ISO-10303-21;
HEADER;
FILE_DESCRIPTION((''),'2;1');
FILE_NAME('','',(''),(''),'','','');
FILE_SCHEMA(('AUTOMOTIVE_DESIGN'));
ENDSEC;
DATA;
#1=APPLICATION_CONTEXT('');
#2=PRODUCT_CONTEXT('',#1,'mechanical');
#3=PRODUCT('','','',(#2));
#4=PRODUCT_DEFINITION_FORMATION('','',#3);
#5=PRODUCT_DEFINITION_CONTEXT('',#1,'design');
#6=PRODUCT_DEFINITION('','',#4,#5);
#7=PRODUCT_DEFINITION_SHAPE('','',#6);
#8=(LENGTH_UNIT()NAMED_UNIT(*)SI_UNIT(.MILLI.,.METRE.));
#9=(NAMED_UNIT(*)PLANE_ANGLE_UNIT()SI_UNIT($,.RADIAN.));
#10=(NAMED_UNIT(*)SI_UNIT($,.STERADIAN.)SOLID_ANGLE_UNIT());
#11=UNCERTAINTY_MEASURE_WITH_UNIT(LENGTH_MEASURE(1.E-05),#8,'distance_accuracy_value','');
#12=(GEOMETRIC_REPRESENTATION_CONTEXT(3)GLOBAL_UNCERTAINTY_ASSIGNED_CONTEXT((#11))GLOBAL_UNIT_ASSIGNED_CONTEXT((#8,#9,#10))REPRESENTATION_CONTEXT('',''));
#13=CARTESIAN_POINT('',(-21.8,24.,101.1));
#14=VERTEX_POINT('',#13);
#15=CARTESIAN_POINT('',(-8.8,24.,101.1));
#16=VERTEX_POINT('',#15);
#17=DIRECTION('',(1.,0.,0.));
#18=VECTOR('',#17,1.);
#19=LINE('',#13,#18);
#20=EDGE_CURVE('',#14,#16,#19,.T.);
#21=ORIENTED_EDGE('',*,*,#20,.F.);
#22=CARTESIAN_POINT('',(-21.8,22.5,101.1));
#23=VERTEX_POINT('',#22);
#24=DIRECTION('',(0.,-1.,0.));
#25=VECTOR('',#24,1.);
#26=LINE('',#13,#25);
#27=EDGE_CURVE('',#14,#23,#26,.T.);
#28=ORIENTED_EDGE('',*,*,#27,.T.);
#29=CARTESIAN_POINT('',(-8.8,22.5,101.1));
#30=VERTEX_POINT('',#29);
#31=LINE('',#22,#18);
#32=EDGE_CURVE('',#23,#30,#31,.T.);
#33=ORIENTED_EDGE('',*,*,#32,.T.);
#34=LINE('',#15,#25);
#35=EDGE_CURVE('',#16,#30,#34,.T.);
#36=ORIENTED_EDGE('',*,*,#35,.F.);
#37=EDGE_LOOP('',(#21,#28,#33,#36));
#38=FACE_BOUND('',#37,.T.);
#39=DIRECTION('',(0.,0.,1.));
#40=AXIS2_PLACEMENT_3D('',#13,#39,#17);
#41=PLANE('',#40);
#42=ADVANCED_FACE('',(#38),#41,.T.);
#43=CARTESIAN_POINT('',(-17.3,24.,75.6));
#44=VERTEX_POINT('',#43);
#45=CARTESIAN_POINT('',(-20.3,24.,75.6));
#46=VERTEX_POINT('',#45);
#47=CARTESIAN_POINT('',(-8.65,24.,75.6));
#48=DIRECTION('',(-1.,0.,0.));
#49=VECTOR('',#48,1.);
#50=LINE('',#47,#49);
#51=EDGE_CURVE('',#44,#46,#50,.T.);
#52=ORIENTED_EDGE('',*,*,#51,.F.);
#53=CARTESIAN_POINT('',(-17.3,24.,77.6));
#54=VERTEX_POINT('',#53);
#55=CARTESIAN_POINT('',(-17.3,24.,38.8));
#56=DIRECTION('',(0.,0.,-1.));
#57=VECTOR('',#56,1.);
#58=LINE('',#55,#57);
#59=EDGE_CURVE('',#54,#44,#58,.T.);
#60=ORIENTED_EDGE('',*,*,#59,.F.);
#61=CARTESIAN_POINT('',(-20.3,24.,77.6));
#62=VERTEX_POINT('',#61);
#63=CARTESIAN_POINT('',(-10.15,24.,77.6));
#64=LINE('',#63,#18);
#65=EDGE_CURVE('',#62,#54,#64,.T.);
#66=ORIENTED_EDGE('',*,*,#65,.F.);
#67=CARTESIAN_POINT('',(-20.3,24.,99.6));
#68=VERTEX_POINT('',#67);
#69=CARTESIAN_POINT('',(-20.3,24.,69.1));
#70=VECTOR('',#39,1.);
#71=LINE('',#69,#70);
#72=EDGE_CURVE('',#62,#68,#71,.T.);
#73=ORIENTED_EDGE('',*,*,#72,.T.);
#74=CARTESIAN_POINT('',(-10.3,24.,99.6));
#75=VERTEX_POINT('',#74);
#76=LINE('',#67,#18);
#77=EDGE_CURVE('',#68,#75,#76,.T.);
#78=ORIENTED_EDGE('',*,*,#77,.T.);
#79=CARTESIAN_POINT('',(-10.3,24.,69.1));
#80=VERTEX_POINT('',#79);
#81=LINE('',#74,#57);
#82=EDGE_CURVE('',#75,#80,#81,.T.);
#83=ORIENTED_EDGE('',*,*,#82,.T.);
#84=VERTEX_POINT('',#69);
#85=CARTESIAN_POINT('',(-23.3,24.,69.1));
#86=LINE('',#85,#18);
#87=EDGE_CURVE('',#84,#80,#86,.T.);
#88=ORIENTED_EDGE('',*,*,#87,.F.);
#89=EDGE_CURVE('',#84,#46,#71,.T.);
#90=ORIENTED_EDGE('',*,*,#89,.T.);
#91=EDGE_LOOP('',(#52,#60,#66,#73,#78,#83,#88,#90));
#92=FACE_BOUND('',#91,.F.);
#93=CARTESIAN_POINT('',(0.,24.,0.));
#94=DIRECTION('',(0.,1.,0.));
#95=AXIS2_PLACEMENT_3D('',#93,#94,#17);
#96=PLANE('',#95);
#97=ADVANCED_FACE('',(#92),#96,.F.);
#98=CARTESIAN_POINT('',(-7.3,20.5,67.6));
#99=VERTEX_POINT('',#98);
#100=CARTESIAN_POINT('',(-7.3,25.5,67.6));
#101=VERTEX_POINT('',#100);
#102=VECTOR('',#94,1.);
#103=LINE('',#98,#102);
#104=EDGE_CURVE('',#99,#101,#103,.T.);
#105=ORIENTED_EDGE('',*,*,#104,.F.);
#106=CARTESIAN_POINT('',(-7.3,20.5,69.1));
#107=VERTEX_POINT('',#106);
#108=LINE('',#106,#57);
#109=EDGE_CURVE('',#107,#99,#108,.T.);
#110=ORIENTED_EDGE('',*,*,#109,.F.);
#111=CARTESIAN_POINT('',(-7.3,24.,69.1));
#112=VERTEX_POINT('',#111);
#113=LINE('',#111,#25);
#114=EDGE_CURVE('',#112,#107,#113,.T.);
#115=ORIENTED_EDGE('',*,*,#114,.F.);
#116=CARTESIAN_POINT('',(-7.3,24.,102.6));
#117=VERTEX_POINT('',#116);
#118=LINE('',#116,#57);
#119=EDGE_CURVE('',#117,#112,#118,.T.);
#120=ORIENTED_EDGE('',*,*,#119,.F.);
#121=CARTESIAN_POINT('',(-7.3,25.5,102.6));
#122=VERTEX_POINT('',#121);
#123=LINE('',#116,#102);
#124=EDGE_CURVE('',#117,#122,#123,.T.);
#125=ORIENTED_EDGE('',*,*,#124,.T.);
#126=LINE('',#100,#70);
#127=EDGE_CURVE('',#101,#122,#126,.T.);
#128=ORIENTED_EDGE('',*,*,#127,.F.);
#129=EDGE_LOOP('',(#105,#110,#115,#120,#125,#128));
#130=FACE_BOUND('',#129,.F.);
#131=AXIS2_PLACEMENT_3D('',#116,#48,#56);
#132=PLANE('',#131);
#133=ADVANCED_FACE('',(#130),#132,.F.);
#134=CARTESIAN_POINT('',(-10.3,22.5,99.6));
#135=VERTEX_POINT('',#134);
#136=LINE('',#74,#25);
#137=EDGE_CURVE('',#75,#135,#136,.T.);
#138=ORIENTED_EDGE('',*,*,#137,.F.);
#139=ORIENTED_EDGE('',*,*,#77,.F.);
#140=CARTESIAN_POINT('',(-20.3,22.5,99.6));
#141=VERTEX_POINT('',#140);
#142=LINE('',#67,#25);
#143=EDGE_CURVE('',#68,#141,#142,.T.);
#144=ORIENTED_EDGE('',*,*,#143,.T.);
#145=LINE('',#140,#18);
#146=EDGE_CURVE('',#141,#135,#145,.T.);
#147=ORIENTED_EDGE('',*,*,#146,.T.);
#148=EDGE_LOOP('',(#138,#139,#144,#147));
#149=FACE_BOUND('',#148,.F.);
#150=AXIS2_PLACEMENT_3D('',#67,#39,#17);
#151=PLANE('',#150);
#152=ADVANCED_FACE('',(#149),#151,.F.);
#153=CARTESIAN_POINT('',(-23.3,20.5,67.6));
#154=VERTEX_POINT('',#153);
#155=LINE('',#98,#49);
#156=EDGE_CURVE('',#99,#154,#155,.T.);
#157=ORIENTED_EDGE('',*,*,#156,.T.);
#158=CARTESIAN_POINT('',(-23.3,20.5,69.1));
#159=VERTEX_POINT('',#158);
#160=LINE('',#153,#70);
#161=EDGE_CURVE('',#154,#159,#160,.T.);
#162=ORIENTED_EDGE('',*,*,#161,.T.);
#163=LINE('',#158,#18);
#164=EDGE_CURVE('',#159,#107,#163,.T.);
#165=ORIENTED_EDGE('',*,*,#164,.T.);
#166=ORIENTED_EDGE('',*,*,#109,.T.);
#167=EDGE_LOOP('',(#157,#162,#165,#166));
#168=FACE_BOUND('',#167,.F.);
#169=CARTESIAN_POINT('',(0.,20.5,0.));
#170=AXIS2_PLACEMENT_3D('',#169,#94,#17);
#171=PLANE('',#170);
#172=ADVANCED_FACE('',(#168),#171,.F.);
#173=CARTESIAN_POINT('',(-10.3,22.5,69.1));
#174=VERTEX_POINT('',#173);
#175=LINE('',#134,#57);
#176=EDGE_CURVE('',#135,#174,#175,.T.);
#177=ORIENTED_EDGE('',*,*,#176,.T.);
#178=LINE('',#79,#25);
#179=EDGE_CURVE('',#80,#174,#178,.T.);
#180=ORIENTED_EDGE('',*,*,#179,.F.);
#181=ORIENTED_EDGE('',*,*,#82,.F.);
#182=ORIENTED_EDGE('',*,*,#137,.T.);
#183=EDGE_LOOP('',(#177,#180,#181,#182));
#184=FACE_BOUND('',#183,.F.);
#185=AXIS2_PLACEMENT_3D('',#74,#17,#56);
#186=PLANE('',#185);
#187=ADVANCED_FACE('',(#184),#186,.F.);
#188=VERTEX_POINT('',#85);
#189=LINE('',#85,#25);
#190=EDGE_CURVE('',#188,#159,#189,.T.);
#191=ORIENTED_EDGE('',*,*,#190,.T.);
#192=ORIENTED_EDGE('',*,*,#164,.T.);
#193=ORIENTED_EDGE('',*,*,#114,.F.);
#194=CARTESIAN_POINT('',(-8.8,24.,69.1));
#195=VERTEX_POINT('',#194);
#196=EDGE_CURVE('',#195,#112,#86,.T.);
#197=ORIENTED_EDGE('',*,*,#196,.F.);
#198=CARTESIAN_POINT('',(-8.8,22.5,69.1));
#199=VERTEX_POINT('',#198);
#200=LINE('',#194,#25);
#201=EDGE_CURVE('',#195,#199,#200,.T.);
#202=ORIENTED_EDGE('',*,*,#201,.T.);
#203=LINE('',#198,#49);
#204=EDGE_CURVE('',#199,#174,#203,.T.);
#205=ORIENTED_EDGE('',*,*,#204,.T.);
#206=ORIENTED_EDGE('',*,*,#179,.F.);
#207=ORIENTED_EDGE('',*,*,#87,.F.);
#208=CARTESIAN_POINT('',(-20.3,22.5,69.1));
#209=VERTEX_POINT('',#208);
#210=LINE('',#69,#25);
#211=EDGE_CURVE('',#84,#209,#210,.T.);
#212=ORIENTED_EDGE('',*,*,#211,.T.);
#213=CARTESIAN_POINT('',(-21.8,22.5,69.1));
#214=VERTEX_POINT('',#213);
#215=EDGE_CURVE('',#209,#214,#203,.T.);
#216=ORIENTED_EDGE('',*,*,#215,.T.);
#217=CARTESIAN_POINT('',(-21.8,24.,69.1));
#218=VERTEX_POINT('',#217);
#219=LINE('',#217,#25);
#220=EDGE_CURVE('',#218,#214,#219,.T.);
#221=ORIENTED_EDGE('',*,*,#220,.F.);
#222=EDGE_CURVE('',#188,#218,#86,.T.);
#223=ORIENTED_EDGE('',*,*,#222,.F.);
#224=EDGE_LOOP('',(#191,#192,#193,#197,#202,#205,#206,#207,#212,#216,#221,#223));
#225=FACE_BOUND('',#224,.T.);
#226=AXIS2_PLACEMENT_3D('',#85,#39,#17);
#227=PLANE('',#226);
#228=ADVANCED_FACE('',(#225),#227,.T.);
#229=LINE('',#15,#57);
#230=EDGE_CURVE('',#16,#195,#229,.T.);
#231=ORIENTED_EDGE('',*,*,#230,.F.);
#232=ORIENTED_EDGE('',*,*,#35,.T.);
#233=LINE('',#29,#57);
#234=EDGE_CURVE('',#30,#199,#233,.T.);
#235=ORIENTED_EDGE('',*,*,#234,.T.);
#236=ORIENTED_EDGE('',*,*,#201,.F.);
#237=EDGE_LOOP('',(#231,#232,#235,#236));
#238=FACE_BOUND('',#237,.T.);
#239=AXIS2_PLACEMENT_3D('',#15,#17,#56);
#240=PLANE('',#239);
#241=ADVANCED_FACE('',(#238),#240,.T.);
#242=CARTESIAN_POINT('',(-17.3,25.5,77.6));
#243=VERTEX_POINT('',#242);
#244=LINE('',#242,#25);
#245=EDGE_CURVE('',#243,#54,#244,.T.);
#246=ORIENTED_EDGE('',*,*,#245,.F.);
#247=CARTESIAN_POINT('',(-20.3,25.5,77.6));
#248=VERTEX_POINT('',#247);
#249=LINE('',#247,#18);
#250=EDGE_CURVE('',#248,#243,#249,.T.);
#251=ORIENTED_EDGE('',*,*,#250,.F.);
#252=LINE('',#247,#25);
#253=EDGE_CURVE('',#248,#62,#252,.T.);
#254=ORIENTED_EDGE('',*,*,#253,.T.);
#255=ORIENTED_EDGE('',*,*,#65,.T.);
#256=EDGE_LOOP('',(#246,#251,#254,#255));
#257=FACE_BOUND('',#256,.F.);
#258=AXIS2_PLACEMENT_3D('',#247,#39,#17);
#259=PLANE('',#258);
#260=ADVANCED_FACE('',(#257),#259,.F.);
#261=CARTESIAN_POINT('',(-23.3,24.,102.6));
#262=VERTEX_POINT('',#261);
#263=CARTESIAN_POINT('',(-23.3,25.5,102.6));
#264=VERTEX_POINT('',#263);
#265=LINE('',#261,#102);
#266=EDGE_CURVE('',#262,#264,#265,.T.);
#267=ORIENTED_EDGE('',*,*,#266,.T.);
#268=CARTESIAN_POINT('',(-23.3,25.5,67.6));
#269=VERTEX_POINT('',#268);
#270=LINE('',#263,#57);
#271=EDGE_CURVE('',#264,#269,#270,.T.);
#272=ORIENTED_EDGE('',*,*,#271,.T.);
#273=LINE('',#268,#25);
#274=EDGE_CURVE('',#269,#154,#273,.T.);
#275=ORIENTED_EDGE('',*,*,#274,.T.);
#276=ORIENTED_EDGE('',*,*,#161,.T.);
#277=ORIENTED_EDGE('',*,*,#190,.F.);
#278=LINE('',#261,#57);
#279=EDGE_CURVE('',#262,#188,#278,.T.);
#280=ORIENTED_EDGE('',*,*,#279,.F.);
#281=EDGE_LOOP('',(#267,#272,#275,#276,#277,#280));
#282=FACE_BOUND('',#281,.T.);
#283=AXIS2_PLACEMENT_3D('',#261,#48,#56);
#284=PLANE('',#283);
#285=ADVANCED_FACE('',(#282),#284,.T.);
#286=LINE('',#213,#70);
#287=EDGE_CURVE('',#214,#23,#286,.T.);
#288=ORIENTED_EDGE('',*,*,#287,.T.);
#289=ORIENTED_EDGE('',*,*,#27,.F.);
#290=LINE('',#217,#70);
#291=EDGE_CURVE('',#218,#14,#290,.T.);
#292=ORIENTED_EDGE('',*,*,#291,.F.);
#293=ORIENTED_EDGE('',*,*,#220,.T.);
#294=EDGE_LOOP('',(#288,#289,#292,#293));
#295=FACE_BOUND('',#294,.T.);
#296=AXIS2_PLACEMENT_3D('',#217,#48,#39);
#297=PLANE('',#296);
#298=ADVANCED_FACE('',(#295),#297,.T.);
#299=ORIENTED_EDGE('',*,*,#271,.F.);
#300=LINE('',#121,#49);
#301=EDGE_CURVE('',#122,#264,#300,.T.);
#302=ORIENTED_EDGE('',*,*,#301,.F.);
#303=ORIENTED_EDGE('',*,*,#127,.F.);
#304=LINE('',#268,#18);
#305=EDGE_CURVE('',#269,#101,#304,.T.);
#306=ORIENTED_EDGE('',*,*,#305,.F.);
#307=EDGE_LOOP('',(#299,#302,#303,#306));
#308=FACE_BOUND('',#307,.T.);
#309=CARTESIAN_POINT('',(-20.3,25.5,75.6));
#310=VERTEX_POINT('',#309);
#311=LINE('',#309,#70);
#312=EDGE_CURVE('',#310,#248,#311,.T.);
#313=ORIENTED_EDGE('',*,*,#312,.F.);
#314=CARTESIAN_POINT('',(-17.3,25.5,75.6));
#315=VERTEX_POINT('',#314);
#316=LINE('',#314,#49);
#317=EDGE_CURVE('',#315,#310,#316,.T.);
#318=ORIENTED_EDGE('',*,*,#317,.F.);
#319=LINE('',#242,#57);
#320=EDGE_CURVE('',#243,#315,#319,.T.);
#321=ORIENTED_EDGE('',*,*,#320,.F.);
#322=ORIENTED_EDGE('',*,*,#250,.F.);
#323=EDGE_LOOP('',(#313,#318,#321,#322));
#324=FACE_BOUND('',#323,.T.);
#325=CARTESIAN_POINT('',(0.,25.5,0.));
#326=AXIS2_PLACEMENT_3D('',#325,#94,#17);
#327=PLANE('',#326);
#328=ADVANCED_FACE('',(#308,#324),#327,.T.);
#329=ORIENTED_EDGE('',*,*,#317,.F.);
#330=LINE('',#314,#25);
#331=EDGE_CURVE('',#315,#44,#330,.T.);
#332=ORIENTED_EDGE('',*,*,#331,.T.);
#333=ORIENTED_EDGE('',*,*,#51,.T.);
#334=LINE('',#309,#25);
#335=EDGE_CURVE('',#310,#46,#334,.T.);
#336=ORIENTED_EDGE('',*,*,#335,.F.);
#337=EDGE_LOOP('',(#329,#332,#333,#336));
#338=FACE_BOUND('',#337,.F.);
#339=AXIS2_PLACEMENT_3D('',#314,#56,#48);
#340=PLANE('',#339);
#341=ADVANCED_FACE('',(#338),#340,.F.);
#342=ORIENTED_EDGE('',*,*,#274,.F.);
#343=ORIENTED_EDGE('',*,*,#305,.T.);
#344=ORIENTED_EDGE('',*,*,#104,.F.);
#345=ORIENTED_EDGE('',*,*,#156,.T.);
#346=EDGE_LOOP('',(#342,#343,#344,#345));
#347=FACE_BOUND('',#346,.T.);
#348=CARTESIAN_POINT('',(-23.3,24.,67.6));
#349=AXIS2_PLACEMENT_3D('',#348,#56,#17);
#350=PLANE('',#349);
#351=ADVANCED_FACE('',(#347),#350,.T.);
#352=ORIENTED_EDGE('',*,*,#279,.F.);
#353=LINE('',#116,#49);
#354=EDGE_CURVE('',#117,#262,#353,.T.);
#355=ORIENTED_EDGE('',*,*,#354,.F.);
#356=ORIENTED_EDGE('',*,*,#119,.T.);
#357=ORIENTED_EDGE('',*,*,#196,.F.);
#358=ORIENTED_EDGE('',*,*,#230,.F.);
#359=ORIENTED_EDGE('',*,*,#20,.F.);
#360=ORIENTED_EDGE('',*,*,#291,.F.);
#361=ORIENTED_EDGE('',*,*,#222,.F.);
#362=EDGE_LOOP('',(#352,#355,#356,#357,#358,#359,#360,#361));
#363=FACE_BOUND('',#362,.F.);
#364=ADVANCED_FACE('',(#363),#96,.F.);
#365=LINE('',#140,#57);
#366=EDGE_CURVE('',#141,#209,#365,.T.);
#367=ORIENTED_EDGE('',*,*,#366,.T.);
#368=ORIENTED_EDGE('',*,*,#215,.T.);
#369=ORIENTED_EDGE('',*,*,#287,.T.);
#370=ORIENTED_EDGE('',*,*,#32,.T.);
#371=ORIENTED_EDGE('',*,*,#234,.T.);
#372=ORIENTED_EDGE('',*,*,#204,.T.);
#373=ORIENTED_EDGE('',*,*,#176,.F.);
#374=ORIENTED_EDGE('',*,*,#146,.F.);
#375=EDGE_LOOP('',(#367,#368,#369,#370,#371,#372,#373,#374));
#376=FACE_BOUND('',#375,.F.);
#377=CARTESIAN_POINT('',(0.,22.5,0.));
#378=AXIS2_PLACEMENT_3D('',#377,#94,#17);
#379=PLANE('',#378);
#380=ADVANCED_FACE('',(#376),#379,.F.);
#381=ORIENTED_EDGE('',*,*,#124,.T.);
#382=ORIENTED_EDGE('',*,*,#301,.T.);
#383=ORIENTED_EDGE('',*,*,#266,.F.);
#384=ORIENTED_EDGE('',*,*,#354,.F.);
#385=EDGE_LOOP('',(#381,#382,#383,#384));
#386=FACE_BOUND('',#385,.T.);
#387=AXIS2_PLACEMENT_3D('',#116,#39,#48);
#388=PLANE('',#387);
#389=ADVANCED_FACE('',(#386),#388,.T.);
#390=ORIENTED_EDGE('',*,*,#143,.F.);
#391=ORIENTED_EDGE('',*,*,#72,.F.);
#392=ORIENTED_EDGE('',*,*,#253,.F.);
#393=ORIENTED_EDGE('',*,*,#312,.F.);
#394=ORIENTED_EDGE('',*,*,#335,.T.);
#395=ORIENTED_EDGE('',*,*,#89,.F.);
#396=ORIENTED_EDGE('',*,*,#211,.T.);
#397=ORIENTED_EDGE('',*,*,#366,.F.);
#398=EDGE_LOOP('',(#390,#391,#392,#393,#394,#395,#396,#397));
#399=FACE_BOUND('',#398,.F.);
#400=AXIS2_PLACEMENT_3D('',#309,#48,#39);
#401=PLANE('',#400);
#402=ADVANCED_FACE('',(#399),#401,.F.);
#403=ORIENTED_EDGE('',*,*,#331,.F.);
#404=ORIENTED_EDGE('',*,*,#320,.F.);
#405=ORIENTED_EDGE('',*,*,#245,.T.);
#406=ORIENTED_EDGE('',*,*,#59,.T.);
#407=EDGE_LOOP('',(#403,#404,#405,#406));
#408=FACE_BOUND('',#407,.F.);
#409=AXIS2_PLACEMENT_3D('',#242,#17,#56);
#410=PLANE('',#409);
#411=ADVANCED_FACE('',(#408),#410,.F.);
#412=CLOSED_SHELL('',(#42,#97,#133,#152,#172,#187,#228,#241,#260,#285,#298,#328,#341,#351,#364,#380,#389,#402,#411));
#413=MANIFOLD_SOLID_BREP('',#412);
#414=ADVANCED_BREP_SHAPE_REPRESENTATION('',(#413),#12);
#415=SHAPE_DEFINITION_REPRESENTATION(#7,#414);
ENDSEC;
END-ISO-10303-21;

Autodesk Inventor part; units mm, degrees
ref_plane "YZ Plane" through (0, 0, 0) normal (1, 0, 0) x (0, 1, 0)
ref_plane "XZ Plane" through (0, 0, 0) normal (0, 1, 0) x (-1, 0, 0)
ref_plane "XY Plane" through (0, 0, 0) normal (0, 0, 1) x (1, 0, 0)
ref_plane "Płaszczyzna konstrukcyjna1" through (0, 19, 0) normal (0, 1, 0) x (1, 0, 0)
ref_plane "Płaszczyzna konstrukcyjna3" through (0, 19, 0) normal (0, 1, 0) x (1, 0, 0)
ref_plane "Płaszczyzna konstrukcyjna2" through (0, 24, 0) normal (0, 1, 0) x (1, 0, 0)
sketch "Szkic23" plane through (0, 24, 0) normal (0, 1, 0) x (1, 0, 0)
  line L0 (-21.8, -101.1) -> (-21.8, -97.6) projected
  line L1 (-8.8, -67.6) -> (-8.8, -69.1) projected
  line L2 (-21.8, -101.1) -> (-8.8, -101.1)
  line L3 (-8.8, -101.1) -> (-8.8, -69.1)
  line L4 (-8.8, -69.1) -> (-21.8, -69.1)
  line L5 (-21.8, -69.1) -> (-21.8, -101.1)
  line L6 (-21.8, -101.1) -> (-20.3, -101.1) construction
  line L7 (-20.3, -101.1) -> (-20.3, -99.6) construction
  line L8 (-20.3, -99.6) -> (-21.8, -99.6) construction
  line L9 (-21.8, -99.6) -> (-21.8, -101.1) construction
  line L10 (-8.8, -69.1) -> (-10.3, -69.1) construction
  line L11 (-21.8, -69.1) -> (-8.8, -69.1) construction
  line L12 (-20.3, -99.6) -> (-10.3, -99.6)
  line L13 (-10.3, -99.6) -> (-10.3, -69.1)
  line L14 (-10.3, -69.1) -> (-20.3, -69.1)
  line L15 (-20.3, -69.1) -> (-20.3, -99.6)
  point P0 (0, 0)
  dimension "d135" = 1.5
  dimension "d136" = 1.5
  dimension "d137" = 1.5
extrude "Wyciągnięcie proste21" add sketch "Szkic23" against normal blind 1.5 contours L0 L5 L4 L15 L12 L13 L3 L2
ref_plane "Płaszczyzna konstrukcyjna5" through (0, 24, 0) normal (0, 1, 0) x (1, 0, 0)
sketch "Szkic24" plane through (0, 24, 0) normal (0, 1, 0) x (1, 0, 0)
  line L0 (-23.3, -69.1) -> (-23.3, -102.6) projected
  line L1 (-23.3, -69.1) -> (-7.3, -69.1)
  line L2 (-7.3, -69.1) -> (-7.3, -67.6)
  line L3 (-7.3, -67.6) -> (-23.3, -67.6)
  line L4 (-23.3, -67.6) -> (-23.3, -69.1)
  point P0 (0, 0)
  dimension "d140" = 16
  dimension "d141" = 1.5
extrude "Wyciągnięcie proste22" add sketch "Szkic24" against normal blind 3.5
ref_plane "Płaszczyzna konstrukcyjna6" through (0, 24, 0) normal (0, 1, 0) x (1, 0, 0)
sketch "Szkic25" plane through (0, 24, 0) normal (0, 1, 0) x (1, 0, 0)
  line L0 (-7.3, -102.6) -> (-7.3, -69.1) projected
  line L1 (-23.3, -69.1) -> (-23.3, -67.6) projected
  line L2 (-7.3, -102.6) -> (-23.3, -102.6)
  line L3 (-23.3, -102.6) -> (-23.3, -67.6)
  line L4 (-23.3, -67.6) -> (-7.3, -67.6)
  line L5 (-7.3, -67.6) -> (-7.3, -102.6)
  point P0 (0, 0)
extrude "Wyciągnięcie proste23" add sketch "Szkic25" along normal blind 1.5
ref_plane "Płaszczyzna konstrukcyjna4" through (0, 20.5, 0) normal (0, 1, 0) x (1, 0, 0)
sketch "Szkic27" plane through (0, 25.5, 0) normal (0, 1, 0) x (1, 0, 0)
  line L0 (-23.3, -67.6) -> (-23.3, -102.6) construction
  line L1 (-23.3, -102.6) -> (-23.3, -77.6) construction
  line L2 (-23.3, -77.6) -> (-23.3, -75.6) construction
  line L3 (-23.3, -77.6) -> (-20.3, -77.6) construction
  line L4 (-23.3, -75.6) -> (-17.3, -75.6) construction
  line L5 (-20.3, -77.6) -> (-17.3, -77.6)
  line L6 (-17.3, -77.6) -> (-17.3, -75.6)
  line L7 (-17.3, -75.6) -> (-20.3, -75.6)
  line L8 (-20.3, -75.6) -> (-20.3, -77.6)
  point P0 (0, 0)
  dimension "d152" = 25
  dimension "d153" = 2
  dimension "d154" = 3
  dimension "d155" = 6
extrude "Wyciągnięcie proste25" cut sketch "Szkic27" against normal blind 10
properties part number "goraczesc1zotworem"
